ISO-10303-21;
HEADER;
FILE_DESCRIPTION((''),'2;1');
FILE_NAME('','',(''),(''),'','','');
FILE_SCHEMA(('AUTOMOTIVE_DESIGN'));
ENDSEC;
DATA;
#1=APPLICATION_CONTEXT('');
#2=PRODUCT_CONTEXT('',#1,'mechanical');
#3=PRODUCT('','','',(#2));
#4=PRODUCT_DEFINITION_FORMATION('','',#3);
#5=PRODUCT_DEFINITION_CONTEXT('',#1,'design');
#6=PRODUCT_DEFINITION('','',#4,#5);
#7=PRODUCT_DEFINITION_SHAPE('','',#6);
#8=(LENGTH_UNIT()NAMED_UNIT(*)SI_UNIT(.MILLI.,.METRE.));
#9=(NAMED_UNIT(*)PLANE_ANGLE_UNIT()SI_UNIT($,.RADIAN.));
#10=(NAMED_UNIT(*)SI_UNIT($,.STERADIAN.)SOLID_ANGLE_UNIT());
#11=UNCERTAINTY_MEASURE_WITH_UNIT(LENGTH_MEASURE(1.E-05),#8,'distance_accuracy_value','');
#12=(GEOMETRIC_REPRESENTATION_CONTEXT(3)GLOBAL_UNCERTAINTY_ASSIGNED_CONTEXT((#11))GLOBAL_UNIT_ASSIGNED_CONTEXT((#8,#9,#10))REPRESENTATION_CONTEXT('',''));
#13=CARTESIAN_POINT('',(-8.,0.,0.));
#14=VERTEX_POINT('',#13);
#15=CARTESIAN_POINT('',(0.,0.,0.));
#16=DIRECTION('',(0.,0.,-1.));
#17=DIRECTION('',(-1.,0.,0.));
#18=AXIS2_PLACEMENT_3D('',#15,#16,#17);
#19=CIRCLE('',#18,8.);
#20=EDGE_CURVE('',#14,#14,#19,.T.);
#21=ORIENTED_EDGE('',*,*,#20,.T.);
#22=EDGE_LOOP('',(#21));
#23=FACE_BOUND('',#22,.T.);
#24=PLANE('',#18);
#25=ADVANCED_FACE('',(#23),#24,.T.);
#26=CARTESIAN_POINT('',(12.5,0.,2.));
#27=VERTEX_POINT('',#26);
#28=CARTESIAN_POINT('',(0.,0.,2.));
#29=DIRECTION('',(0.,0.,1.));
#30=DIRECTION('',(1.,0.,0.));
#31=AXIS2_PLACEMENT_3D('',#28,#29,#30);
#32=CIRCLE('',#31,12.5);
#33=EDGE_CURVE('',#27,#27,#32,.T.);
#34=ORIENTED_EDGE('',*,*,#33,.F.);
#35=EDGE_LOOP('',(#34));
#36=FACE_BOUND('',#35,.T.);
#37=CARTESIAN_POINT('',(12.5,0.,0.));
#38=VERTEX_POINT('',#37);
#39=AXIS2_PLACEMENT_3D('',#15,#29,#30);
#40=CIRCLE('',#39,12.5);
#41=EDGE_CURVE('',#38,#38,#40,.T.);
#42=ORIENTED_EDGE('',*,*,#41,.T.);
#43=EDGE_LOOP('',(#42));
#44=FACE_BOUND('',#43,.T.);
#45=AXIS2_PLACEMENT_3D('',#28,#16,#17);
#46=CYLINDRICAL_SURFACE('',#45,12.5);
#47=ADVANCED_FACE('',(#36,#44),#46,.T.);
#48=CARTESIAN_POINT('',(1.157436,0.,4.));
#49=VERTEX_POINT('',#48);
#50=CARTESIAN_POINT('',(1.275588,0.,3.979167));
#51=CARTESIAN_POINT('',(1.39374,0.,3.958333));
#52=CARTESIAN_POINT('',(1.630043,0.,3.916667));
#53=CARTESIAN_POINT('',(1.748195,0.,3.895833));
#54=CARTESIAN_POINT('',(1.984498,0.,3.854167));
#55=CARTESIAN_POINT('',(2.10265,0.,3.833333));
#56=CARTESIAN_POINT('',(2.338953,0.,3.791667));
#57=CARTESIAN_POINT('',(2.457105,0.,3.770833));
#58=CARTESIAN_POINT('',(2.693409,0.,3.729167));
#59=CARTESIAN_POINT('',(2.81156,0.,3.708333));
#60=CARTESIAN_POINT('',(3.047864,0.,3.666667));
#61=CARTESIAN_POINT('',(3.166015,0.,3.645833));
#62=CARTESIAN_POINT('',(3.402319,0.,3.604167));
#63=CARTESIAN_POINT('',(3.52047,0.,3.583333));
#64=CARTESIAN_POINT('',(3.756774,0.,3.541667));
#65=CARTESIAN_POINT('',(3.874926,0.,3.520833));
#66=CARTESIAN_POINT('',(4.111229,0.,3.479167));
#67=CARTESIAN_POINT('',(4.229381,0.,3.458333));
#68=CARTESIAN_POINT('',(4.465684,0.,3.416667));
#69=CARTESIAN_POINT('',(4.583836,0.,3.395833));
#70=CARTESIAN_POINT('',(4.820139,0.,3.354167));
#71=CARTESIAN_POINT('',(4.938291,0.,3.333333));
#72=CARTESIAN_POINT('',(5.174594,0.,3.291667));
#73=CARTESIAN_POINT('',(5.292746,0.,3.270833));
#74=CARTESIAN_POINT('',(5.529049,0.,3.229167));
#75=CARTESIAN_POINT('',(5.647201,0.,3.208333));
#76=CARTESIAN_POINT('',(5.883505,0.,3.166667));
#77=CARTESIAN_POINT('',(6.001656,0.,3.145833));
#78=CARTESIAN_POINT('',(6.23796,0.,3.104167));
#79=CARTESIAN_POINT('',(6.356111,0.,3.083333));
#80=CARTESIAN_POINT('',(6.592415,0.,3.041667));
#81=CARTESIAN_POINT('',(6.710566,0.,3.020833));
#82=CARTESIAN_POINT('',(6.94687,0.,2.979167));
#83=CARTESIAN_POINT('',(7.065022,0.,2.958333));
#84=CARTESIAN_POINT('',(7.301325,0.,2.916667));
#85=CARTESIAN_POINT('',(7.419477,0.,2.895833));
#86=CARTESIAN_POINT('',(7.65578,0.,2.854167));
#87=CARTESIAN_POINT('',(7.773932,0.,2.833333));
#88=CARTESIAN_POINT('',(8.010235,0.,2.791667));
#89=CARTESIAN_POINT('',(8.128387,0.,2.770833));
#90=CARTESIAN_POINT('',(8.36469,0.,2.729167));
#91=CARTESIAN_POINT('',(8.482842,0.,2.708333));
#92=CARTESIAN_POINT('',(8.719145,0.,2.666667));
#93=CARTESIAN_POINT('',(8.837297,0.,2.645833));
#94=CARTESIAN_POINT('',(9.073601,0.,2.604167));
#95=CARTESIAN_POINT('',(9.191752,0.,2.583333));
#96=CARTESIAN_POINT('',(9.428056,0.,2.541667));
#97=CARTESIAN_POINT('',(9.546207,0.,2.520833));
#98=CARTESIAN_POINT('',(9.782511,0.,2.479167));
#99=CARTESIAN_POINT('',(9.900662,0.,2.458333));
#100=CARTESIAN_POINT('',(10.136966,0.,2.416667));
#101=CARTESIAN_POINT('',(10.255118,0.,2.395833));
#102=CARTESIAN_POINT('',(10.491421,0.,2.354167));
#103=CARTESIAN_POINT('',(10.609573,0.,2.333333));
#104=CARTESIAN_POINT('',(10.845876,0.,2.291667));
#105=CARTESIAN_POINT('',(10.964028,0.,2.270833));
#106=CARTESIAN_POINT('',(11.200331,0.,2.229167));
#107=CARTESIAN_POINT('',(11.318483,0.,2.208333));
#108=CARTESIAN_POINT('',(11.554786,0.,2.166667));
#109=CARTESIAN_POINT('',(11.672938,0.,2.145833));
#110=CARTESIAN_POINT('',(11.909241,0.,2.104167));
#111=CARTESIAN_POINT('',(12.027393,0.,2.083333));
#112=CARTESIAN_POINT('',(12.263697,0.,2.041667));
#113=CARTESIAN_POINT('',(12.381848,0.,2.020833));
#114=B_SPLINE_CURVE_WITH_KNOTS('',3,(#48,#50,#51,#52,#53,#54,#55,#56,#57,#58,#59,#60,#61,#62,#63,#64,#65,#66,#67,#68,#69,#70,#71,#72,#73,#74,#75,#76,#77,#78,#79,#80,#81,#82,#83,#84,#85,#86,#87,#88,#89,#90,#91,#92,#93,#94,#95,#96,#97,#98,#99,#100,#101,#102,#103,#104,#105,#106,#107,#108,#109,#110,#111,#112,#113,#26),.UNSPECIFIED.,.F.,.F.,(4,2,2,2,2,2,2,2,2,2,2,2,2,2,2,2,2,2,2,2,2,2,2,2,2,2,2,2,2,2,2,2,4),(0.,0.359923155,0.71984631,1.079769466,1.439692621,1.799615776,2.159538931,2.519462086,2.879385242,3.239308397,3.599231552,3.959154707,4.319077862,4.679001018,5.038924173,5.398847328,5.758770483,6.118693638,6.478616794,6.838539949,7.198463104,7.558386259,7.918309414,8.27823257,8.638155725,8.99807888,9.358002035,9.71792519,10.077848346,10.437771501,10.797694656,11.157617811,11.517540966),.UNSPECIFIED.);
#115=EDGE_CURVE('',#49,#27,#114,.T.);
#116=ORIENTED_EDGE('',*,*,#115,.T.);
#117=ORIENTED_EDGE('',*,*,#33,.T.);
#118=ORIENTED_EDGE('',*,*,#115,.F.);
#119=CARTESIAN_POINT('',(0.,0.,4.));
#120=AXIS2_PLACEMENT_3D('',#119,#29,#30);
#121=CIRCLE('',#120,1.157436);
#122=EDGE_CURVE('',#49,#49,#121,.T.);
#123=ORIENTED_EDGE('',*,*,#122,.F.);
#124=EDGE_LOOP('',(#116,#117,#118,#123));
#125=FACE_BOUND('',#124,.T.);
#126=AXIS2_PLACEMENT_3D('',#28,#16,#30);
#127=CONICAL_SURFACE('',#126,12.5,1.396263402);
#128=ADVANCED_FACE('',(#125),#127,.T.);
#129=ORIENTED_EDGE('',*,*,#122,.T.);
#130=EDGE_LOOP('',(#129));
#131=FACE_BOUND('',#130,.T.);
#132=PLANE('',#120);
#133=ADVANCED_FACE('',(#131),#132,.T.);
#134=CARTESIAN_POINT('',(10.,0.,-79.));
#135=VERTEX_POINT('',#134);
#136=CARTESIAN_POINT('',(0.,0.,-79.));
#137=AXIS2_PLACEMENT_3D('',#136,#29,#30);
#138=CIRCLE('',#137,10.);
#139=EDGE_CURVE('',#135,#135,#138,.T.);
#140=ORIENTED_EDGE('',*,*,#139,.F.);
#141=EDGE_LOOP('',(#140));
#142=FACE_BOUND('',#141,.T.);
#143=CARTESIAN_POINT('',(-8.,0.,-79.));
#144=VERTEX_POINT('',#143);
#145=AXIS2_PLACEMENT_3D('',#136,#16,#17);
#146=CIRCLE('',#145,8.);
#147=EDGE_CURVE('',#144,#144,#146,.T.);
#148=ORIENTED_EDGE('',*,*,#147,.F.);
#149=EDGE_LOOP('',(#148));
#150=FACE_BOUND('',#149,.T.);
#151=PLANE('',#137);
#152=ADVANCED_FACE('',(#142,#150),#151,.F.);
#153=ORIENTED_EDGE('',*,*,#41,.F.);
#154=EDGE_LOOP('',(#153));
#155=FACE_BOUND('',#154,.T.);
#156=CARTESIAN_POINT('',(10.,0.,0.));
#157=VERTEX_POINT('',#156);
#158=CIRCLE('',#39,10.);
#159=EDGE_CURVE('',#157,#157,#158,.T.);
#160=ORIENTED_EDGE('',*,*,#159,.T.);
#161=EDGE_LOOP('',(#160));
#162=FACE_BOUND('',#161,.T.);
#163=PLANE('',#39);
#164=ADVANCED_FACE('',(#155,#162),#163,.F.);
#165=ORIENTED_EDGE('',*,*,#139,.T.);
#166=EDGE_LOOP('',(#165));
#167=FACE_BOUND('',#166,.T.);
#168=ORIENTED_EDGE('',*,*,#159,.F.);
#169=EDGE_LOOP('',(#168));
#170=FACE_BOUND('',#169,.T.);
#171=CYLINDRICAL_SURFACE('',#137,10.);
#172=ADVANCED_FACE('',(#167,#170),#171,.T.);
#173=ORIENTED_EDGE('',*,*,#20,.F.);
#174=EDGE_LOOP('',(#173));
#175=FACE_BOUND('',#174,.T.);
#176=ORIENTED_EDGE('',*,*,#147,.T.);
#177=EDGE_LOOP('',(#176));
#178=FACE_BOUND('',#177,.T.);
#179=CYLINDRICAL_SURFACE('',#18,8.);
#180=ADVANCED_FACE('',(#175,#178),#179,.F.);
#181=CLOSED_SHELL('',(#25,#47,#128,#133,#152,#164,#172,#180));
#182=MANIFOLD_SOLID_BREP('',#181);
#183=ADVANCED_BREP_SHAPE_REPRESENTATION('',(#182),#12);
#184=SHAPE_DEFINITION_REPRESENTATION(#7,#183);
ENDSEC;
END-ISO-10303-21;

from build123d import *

# Parameters (mm, degrees)
SKETCH1_R           = 10
BOSS_EXTRUDE2_DEPTH = 79
SKETCH5_R           = 12.5
BOSS_EXTRUDE3_DEPTH = 2
SKETCH6_R           = 12.5
BOSS_EXTRUDE4_DEPTH = 2
BOSS_EXTRUDE4_TAPER = 80
SKETCH7_R           = 8
CUT_EXTRUDE1_DEPTH  = 79


with BuildPart() as part:
    # Sketch1 → Boss-Extrude2 (new body)
    with BuildSketch(Plane.XY):
        Circle(SKETCH1_R)
    extrude(amount=-BOSS_EXTRUDE2_DEPTH)

    # Sketch5 → Boss-Extrude3 (add)
    with BuildSketch(Plane.XY):
        Circle(SKETCH5_R)
    extrude(amount=BOSS_EXTRUDE3_DEPTH)

    # Sketch6 → Boss-Extrude4 (add)
    with BuildSketch(Plane.XY.offset(2)):
        Circle(SKETCH6_R)
    extrude(amount=BOSS_EXTRUDE4_DEPTH, taper=BOSS_EXTRUDE4_TAPER)

    # Sketch7 → Cut-Extrude1 (cut)
    with BuildSketch(Plane(origin=(0, 0, -79), x_dir=(-1, 0, 0), z_dir=(0, 0, -1))):
        Circle(SKETCH7_R)
    extrude(amount=-CUT_EXTRUDE1_DEPTH, mode=Mode.SUBTRACT)


solid = part.part
